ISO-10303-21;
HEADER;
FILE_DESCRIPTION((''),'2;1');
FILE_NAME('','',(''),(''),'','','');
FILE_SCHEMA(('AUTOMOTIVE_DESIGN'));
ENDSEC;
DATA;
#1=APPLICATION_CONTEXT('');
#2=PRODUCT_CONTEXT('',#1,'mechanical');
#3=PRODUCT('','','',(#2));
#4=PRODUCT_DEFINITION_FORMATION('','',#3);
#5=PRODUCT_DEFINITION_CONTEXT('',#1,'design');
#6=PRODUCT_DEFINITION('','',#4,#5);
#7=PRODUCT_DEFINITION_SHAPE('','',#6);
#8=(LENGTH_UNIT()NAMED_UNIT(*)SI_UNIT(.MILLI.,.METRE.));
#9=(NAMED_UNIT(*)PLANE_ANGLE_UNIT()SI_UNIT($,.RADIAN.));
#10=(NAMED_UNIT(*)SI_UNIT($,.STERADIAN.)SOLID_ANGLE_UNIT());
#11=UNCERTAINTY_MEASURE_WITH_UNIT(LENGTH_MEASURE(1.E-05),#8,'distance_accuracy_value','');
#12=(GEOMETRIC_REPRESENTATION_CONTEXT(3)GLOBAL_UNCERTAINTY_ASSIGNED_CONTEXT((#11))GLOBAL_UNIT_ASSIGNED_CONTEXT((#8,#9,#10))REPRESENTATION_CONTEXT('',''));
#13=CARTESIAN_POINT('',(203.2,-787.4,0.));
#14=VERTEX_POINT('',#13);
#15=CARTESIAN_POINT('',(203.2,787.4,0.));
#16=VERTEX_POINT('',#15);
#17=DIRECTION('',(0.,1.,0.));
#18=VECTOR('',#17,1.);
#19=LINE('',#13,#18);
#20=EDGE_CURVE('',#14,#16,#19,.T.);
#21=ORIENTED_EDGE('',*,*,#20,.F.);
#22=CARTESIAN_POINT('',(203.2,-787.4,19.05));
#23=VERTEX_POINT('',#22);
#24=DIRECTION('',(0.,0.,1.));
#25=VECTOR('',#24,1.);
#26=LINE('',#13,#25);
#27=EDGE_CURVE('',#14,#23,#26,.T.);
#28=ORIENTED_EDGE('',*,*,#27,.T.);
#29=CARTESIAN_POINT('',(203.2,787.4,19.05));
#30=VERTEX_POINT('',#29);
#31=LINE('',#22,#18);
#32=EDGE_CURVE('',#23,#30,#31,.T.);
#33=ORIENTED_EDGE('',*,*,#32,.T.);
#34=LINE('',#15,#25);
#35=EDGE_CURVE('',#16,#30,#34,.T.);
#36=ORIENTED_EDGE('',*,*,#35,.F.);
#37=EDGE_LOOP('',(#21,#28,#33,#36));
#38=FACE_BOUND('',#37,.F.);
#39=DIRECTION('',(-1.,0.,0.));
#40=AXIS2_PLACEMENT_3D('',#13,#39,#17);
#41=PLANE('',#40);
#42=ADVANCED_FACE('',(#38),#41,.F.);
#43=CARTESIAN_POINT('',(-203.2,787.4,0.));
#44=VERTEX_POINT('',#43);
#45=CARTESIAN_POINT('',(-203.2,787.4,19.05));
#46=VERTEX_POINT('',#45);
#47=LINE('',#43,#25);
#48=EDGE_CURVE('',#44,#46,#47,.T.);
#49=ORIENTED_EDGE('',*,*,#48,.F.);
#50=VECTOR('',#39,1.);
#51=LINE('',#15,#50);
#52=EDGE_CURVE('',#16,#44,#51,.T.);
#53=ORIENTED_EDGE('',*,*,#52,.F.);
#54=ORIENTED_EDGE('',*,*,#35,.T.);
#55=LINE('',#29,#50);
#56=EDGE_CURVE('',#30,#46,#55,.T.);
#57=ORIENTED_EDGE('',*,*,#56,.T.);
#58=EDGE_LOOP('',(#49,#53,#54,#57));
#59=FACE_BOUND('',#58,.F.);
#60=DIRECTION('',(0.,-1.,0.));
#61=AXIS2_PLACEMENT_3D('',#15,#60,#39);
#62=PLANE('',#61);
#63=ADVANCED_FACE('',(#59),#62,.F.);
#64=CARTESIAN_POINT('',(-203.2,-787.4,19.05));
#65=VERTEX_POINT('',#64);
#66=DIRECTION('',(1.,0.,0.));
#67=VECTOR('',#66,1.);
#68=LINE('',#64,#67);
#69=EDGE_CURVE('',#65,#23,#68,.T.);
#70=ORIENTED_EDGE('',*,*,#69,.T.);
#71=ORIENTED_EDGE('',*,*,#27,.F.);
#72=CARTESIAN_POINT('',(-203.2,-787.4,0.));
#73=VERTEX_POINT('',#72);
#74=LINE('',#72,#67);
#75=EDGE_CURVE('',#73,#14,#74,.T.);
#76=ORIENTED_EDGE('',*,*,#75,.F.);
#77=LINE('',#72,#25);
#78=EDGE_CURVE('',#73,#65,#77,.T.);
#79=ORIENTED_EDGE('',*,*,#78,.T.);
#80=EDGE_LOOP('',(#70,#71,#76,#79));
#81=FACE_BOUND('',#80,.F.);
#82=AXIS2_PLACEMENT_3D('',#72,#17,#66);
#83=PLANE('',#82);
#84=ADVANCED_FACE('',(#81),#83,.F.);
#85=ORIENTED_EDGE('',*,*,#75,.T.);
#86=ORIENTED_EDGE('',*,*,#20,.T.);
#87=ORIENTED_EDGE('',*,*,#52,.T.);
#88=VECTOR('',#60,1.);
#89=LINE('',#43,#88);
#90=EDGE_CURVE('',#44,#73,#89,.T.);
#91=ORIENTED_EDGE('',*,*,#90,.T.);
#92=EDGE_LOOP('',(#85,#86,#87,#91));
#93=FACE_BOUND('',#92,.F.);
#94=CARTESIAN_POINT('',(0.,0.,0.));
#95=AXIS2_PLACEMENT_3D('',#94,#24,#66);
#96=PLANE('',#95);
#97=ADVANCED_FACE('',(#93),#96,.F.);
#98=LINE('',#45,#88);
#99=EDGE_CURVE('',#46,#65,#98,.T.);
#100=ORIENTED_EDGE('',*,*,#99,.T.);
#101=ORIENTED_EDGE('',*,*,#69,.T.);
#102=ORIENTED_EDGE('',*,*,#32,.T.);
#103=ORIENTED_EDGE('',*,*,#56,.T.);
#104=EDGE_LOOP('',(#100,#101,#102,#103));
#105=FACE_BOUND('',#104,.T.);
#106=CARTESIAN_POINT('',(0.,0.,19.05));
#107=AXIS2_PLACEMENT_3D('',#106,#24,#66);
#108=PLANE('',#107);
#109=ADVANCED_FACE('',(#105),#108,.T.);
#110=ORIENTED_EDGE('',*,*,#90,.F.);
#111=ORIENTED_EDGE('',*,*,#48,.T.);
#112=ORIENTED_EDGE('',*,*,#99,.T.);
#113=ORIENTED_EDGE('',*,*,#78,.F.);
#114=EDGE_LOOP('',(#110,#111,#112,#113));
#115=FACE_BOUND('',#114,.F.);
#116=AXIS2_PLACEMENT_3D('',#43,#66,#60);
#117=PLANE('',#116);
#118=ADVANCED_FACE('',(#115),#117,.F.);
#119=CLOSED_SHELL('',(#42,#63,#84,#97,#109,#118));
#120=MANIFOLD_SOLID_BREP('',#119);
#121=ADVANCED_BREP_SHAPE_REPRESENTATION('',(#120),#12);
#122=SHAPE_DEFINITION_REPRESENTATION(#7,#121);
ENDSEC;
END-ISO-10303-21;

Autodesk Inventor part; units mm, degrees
ref_plane "YZ Plane" through (0, 0, 0) normal (1, 0, 0) x (0, 1, 0)
ref_plane "XZ Plane" through (0, 0, 0) normal (0, 1, 0) x (-1, 0, 0)
ref_plane "XY Plane" through (0, 0, 0) normal (0, 0, 1) x (1, 0, 0)
sketch "Sketch1" plane through (0, 0, 0) normal (0, 0, 1) x (1, 0, 0)
  line L0 (-203.2, -787.4) -> (203.2, -787.4)
  line L1 (203.2, -787.4) -> (203.2, 787.4)
  line L2 (203.2, 787.4) -> (-203.2, 787.4)
  line L3 (-203.2, 787.4) -> (-203.2, -787.4)
  line L4 (-203.2, -787.4) -> (203.2, 787.4) construction
  line L5 (203.2, -787.4) -> (-203.2, 787.4) construction
  point P0 (0, 0)
  dimension "d0" = 1574.8
  dimension "d1" = 406.4
extrude "Extrusion1" add sketch "Sketch1" along normal blind 19.05
properties part number "side board 1 (for assembly)"
